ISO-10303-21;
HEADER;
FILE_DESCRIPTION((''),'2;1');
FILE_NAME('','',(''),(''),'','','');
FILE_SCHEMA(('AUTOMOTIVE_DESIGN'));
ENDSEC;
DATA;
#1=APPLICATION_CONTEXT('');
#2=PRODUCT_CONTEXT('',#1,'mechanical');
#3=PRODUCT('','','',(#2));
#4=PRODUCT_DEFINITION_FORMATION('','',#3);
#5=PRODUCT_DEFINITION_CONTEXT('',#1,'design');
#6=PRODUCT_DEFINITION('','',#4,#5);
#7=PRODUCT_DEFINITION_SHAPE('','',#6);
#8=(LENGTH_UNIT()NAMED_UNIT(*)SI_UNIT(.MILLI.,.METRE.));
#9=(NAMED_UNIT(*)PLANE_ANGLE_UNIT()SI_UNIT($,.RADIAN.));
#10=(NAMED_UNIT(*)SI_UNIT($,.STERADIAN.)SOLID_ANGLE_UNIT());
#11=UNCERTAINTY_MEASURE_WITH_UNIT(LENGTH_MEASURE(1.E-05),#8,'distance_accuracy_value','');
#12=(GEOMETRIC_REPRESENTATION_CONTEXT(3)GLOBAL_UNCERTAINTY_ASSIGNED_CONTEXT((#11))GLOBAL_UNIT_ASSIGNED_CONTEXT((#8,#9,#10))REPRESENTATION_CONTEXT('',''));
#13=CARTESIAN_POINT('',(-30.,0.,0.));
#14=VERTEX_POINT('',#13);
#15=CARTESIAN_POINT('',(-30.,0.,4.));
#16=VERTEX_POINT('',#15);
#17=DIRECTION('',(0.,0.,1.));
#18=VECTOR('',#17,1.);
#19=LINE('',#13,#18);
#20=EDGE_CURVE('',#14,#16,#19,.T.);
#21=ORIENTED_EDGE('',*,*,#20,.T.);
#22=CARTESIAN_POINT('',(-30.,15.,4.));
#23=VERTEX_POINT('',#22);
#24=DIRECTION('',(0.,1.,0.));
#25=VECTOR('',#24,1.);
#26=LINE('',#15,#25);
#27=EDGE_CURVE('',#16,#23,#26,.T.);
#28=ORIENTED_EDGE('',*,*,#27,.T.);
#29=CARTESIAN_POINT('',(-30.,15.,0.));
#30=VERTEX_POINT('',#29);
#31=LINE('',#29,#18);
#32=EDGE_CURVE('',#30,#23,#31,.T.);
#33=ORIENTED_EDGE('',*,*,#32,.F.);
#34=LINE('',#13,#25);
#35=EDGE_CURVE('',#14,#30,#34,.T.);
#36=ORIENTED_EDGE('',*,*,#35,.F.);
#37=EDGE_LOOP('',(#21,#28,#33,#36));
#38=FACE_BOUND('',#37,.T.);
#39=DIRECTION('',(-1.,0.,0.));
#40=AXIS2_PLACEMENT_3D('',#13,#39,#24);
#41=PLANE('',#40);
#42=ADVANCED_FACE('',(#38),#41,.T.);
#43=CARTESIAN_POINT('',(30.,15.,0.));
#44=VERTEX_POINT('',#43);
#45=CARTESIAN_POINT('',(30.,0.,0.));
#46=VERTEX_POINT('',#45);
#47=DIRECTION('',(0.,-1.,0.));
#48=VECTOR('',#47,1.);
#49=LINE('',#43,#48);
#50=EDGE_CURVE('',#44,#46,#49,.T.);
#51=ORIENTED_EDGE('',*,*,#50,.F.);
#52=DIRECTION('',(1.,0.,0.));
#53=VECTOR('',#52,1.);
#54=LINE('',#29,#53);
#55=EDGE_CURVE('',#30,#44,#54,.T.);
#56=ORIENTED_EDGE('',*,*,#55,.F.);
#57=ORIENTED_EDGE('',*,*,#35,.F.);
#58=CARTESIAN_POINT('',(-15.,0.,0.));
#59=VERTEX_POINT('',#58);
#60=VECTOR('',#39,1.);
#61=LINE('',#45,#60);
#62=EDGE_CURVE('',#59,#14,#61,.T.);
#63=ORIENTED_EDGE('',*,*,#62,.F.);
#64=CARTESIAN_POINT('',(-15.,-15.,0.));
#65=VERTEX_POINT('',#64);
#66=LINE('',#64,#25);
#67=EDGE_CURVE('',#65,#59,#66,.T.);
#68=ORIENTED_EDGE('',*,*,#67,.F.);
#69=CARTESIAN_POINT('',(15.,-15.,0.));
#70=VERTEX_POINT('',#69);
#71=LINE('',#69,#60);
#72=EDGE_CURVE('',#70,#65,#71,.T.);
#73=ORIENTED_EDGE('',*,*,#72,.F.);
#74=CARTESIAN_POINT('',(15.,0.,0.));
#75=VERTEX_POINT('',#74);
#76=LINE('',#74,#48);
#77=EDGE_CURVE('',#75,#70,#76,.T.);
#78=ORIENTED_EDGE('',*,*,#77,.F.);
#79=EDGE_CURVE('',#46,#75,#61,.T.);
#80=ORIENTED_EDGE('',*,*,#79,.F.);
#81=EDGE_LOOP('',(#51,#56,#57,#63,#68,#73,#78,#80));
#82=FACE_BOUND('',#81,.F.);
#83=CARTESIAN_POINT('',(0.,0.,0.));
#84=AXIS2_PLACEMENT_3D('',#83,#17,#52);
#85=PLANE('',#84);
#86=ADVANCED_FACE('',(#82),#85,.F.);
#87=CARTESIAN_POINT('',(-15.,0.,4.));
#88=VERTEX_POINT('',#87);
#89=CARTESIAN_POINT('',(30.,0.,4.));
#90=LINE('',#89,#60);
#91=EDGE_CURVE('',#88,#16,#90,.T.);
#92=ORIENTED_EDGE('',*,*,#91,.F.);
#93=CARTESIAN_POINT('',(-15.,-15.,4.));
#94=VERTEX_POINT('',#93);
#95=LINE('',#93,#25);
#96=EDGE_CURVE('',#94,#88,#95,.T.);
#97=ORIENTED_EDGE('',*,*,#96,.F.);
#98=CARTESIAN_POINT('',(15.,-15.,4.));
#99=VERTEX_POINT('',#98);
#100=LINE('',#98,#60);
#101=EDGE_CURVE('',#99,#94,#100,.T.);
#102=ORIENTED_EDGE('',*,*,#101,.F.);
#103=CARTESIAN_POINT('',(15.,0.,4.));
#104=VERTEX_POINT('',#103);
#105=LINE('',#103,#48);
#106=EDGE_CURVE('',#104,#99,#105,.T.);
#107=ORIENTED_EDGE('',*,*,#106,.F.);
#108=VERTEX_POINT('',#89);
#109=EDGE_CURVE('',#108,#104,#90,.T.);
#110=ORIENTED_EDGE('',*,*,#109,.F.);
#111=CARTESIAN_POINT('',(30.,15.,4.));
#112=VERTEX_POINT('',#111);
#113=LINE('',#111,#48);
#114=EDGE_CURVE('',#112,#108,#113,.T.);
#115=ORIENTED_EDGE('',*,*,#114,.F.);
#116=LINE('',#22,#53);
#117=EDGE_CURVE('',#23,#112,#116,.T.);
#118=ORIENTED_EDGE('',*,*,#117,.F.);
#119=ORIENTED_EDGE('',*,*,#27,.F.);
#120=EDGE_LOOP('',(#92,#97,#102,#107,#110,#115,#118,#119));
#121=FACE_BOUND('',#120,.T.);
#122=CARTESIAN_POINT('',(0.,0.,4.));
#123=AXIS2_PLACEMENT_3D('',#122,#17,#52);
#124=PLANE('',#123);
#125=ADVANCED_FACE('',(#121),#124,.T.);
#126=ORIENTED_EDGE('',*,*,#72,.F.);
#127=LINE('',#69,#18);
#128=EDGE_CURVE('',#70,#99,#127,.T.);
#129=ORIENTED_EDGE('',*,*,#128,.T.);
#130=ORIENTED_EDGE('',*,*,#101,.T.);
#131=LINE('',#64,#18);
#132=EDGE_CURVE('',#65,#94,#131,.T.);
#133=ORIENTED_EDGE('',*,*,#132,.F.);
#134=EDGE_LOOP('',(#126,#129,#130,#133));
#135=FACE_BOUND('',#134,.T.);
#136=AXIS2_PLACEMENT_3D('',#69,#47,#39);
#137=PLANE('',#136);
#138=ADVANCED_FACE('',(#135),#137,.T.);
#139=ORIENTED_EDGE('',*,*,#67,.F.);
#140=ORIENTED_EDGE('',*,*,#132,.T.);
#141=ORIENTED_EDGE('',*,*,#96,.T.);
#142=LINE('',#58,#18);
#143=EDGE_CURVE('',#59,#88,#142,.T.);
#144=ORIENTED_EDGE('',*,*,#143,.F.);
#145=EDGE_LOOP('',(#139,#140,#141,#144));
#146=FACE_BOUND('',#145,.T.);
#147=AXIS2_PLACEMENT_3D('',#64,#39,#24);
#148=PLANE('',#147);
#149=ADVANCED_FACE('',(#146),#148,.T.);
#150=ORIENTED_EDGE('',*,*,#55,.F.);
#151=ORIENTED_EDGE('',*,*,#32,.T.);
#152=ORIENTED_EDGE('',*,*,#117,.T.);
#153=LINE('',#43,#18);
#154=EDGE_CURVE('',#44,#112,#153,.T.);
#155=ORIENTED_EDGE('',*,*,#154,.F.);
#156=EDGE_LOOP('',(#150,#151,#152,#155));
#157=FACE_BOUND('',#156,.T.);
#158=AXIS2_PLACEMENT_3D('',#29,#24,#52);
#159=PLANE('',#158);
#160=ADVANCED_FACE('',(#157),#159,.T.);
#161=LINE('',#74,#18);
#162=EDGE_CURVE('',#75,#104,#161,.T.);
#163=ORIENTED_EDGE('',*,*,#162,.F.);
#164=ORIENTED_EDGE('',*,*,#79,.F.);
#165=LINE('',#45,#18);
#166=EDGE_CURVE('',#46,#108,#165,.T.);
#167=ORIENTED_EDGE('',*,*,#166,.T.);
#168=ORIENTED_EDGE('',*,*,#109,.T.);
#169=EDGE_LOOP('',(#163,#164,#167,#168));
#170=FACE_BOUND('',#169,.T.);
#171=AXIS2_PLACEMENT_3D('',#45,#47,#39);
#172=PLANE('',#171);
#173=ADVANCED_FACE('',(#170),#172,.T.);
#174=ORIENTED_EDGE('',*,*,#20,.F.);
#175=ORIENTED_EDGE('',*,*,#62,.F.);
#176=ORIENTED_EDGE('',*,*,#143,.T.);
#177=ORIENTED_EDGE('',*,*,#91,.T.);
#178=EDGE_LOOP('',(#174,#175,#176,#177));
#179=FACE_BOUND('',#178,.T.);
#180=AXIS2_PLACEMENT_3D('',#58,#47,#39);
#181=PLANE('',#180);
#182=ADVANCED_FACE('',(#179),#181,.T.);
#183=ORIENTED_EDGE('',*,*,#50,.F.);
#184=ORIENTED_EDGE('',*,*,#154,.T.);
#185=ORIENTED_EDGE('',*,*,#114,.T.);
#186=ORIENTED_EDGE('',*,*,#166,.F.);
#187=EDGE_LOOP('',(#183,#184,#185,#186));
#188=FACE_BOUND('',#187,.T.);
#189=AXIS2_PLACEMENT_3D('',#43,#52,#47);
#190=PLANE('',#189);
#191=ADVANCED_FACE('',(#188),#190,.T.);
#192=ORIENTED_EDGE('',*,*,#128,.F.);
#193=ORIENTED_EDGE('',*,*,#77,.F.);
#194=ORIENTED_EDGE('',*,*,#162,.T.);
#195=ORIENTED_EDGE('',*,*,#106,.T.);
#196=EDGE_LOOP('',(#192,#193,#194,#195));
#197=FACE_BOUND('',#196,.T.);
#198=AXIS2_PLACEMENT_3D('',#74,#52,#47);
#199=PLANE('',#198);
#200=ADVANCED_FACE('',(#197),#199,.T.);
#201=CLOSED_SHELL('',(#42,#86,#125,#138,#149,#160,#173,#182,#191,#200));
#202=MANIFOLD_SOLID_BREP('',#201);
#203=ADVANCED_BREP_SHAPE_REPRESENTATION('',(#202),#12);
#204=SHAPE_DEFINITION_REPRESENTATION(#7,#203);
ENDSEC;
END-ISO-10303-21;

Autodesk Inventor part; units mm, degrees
ref_plane "YZ Plane" through (0, 0, 0) normal (1, 0, 0) x (0, 1, 0)
ref_plane "XZ Plane" through (0, 0, 0) normal (0, 1, 0) x (-1, 0, 0)
ref_plane "XY Plane" through (0, 0, 0) normal (0, 0, 1) x (1, 0, 0)
sketch "Sketch1" plane through (0, 0, 0) normal (0, 0, 1) x (1, 0, 0)
  line L0 (-30, 15) -> (30, 15)
  line L1 (30, 15) -> (30, 0)
  line L2 (30, 0) -> (-30, 0)
  line L3 (-30, 0) -> (-30, 15)
  line L4 (-15, 0) -> (15, 0)
  line L5 (15, 0) -> (15, -15)
  line L6 (15, -15) -> (-15, -15)
  line L7 (-15, -15) -> (-15, 0)
  point P0 (0, 0)
  point P1 (0, 0)
  point P2 (0, 0)
  dimension "d0" = 60
  dimension "d1" = 15
  dimension "d2" = 30
  dimension "d3" = 15
extrude "Extrusion1" add sketch "Sketch1" along normal blind 4
properties part number "Seguro ttrasero"
